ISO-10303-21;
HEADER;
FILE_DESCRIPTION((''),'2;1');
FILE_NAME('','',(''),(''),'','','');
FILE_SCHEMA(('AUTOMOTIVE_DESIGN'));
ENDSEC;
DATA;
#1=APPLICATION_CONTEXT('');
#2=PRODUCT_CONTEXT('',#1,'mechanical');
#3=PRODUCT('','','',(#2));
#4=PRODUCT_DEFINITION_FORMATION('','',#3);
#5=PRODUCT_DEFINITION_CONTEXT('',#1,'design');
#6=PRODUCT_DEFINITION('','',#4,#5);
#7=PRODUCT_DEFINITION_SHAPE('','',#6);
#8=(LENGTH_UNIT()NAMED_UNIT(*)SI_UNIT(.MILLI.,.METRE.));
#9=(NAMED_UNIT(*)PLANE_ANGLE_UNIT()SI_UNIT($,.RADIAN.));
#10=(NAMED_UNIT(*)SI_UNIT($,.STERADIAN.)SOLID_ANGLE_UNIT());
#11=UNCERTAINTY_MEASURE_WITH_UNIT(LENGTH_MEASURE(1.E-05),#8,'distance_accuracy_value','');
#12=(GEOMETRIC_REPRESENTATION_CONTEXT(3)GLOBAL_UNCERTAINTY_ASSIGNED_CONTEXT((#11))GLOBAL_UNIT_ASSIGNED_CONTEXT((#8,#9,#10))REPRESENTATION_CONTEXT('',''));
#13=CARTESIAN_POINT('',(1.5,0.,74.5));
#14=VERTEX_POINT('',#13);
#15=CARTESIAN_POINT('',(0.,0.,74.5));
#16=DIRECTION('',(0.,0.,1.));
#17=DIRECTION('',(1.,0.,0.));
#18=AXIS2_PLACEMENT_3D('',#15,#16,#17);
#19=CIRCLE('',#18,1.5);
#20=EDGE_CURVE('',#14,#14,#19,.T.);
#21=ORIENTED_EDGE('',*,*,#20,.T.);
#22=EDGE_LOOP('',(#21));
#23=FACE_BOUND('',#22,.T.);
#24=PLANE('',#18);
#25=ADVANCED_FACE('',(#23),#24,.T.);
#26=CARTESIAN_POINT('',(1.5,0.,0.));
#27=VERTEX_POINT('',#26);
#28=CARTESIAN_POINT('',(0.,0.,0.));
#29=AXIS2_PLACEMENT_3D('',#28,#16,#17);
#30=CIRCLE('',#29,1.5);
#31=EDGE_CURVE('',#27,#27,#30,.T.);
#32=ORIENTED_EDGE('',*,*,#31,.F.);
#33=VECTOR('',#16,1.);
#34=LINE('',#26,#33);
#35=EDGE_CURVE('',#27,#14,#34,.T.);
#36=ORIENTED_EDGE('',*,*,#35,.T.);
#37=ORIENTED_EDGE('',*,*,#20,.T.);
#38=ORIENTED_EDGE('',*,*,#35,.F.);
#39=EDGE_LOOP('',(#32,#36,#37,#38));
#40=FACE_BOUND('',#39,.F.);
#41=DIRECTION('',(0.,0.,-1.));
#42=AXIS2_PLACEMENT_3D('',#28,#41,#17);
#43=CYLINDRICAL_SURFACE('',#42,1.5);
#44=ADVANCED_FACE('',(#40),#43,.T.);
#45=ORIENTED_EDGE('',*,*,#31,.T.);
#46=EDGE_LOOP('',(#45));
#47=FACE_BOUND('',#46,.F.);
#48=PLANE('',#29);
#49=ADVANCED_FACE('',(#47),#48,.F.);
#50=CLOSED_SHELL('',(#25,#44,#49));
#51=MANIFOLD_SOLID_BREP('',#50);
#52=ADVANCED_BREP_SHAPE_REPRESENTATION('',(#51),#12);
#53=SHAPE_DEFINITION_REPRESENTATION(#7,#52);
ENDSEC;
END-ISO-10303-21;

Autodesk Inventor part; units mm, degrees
ref_plane "YZ Plane" through (0, 0, 0) normal (1, 0, 0) x (0, 1, 0)
ref_plane "XZ Plane" through (0, 0, 0) normal (0, 1, 0) x (-1, 0, 0)
ref_plane "XY Plane" through (0, 0, 0) normal (0, 0, 1) x (1, 0, 0)
sketch "Sketch1" plane through (0, 0, 0) normal (0, 0, 1) x (1, 0, 0)
  circle A0 centre (0, 0) radius 1.5
  dimension "d0" = 3
extrude "Extrusion1" add sketch "Sketch1" along normal blind 74.5
properties part number "Shaft_2"
